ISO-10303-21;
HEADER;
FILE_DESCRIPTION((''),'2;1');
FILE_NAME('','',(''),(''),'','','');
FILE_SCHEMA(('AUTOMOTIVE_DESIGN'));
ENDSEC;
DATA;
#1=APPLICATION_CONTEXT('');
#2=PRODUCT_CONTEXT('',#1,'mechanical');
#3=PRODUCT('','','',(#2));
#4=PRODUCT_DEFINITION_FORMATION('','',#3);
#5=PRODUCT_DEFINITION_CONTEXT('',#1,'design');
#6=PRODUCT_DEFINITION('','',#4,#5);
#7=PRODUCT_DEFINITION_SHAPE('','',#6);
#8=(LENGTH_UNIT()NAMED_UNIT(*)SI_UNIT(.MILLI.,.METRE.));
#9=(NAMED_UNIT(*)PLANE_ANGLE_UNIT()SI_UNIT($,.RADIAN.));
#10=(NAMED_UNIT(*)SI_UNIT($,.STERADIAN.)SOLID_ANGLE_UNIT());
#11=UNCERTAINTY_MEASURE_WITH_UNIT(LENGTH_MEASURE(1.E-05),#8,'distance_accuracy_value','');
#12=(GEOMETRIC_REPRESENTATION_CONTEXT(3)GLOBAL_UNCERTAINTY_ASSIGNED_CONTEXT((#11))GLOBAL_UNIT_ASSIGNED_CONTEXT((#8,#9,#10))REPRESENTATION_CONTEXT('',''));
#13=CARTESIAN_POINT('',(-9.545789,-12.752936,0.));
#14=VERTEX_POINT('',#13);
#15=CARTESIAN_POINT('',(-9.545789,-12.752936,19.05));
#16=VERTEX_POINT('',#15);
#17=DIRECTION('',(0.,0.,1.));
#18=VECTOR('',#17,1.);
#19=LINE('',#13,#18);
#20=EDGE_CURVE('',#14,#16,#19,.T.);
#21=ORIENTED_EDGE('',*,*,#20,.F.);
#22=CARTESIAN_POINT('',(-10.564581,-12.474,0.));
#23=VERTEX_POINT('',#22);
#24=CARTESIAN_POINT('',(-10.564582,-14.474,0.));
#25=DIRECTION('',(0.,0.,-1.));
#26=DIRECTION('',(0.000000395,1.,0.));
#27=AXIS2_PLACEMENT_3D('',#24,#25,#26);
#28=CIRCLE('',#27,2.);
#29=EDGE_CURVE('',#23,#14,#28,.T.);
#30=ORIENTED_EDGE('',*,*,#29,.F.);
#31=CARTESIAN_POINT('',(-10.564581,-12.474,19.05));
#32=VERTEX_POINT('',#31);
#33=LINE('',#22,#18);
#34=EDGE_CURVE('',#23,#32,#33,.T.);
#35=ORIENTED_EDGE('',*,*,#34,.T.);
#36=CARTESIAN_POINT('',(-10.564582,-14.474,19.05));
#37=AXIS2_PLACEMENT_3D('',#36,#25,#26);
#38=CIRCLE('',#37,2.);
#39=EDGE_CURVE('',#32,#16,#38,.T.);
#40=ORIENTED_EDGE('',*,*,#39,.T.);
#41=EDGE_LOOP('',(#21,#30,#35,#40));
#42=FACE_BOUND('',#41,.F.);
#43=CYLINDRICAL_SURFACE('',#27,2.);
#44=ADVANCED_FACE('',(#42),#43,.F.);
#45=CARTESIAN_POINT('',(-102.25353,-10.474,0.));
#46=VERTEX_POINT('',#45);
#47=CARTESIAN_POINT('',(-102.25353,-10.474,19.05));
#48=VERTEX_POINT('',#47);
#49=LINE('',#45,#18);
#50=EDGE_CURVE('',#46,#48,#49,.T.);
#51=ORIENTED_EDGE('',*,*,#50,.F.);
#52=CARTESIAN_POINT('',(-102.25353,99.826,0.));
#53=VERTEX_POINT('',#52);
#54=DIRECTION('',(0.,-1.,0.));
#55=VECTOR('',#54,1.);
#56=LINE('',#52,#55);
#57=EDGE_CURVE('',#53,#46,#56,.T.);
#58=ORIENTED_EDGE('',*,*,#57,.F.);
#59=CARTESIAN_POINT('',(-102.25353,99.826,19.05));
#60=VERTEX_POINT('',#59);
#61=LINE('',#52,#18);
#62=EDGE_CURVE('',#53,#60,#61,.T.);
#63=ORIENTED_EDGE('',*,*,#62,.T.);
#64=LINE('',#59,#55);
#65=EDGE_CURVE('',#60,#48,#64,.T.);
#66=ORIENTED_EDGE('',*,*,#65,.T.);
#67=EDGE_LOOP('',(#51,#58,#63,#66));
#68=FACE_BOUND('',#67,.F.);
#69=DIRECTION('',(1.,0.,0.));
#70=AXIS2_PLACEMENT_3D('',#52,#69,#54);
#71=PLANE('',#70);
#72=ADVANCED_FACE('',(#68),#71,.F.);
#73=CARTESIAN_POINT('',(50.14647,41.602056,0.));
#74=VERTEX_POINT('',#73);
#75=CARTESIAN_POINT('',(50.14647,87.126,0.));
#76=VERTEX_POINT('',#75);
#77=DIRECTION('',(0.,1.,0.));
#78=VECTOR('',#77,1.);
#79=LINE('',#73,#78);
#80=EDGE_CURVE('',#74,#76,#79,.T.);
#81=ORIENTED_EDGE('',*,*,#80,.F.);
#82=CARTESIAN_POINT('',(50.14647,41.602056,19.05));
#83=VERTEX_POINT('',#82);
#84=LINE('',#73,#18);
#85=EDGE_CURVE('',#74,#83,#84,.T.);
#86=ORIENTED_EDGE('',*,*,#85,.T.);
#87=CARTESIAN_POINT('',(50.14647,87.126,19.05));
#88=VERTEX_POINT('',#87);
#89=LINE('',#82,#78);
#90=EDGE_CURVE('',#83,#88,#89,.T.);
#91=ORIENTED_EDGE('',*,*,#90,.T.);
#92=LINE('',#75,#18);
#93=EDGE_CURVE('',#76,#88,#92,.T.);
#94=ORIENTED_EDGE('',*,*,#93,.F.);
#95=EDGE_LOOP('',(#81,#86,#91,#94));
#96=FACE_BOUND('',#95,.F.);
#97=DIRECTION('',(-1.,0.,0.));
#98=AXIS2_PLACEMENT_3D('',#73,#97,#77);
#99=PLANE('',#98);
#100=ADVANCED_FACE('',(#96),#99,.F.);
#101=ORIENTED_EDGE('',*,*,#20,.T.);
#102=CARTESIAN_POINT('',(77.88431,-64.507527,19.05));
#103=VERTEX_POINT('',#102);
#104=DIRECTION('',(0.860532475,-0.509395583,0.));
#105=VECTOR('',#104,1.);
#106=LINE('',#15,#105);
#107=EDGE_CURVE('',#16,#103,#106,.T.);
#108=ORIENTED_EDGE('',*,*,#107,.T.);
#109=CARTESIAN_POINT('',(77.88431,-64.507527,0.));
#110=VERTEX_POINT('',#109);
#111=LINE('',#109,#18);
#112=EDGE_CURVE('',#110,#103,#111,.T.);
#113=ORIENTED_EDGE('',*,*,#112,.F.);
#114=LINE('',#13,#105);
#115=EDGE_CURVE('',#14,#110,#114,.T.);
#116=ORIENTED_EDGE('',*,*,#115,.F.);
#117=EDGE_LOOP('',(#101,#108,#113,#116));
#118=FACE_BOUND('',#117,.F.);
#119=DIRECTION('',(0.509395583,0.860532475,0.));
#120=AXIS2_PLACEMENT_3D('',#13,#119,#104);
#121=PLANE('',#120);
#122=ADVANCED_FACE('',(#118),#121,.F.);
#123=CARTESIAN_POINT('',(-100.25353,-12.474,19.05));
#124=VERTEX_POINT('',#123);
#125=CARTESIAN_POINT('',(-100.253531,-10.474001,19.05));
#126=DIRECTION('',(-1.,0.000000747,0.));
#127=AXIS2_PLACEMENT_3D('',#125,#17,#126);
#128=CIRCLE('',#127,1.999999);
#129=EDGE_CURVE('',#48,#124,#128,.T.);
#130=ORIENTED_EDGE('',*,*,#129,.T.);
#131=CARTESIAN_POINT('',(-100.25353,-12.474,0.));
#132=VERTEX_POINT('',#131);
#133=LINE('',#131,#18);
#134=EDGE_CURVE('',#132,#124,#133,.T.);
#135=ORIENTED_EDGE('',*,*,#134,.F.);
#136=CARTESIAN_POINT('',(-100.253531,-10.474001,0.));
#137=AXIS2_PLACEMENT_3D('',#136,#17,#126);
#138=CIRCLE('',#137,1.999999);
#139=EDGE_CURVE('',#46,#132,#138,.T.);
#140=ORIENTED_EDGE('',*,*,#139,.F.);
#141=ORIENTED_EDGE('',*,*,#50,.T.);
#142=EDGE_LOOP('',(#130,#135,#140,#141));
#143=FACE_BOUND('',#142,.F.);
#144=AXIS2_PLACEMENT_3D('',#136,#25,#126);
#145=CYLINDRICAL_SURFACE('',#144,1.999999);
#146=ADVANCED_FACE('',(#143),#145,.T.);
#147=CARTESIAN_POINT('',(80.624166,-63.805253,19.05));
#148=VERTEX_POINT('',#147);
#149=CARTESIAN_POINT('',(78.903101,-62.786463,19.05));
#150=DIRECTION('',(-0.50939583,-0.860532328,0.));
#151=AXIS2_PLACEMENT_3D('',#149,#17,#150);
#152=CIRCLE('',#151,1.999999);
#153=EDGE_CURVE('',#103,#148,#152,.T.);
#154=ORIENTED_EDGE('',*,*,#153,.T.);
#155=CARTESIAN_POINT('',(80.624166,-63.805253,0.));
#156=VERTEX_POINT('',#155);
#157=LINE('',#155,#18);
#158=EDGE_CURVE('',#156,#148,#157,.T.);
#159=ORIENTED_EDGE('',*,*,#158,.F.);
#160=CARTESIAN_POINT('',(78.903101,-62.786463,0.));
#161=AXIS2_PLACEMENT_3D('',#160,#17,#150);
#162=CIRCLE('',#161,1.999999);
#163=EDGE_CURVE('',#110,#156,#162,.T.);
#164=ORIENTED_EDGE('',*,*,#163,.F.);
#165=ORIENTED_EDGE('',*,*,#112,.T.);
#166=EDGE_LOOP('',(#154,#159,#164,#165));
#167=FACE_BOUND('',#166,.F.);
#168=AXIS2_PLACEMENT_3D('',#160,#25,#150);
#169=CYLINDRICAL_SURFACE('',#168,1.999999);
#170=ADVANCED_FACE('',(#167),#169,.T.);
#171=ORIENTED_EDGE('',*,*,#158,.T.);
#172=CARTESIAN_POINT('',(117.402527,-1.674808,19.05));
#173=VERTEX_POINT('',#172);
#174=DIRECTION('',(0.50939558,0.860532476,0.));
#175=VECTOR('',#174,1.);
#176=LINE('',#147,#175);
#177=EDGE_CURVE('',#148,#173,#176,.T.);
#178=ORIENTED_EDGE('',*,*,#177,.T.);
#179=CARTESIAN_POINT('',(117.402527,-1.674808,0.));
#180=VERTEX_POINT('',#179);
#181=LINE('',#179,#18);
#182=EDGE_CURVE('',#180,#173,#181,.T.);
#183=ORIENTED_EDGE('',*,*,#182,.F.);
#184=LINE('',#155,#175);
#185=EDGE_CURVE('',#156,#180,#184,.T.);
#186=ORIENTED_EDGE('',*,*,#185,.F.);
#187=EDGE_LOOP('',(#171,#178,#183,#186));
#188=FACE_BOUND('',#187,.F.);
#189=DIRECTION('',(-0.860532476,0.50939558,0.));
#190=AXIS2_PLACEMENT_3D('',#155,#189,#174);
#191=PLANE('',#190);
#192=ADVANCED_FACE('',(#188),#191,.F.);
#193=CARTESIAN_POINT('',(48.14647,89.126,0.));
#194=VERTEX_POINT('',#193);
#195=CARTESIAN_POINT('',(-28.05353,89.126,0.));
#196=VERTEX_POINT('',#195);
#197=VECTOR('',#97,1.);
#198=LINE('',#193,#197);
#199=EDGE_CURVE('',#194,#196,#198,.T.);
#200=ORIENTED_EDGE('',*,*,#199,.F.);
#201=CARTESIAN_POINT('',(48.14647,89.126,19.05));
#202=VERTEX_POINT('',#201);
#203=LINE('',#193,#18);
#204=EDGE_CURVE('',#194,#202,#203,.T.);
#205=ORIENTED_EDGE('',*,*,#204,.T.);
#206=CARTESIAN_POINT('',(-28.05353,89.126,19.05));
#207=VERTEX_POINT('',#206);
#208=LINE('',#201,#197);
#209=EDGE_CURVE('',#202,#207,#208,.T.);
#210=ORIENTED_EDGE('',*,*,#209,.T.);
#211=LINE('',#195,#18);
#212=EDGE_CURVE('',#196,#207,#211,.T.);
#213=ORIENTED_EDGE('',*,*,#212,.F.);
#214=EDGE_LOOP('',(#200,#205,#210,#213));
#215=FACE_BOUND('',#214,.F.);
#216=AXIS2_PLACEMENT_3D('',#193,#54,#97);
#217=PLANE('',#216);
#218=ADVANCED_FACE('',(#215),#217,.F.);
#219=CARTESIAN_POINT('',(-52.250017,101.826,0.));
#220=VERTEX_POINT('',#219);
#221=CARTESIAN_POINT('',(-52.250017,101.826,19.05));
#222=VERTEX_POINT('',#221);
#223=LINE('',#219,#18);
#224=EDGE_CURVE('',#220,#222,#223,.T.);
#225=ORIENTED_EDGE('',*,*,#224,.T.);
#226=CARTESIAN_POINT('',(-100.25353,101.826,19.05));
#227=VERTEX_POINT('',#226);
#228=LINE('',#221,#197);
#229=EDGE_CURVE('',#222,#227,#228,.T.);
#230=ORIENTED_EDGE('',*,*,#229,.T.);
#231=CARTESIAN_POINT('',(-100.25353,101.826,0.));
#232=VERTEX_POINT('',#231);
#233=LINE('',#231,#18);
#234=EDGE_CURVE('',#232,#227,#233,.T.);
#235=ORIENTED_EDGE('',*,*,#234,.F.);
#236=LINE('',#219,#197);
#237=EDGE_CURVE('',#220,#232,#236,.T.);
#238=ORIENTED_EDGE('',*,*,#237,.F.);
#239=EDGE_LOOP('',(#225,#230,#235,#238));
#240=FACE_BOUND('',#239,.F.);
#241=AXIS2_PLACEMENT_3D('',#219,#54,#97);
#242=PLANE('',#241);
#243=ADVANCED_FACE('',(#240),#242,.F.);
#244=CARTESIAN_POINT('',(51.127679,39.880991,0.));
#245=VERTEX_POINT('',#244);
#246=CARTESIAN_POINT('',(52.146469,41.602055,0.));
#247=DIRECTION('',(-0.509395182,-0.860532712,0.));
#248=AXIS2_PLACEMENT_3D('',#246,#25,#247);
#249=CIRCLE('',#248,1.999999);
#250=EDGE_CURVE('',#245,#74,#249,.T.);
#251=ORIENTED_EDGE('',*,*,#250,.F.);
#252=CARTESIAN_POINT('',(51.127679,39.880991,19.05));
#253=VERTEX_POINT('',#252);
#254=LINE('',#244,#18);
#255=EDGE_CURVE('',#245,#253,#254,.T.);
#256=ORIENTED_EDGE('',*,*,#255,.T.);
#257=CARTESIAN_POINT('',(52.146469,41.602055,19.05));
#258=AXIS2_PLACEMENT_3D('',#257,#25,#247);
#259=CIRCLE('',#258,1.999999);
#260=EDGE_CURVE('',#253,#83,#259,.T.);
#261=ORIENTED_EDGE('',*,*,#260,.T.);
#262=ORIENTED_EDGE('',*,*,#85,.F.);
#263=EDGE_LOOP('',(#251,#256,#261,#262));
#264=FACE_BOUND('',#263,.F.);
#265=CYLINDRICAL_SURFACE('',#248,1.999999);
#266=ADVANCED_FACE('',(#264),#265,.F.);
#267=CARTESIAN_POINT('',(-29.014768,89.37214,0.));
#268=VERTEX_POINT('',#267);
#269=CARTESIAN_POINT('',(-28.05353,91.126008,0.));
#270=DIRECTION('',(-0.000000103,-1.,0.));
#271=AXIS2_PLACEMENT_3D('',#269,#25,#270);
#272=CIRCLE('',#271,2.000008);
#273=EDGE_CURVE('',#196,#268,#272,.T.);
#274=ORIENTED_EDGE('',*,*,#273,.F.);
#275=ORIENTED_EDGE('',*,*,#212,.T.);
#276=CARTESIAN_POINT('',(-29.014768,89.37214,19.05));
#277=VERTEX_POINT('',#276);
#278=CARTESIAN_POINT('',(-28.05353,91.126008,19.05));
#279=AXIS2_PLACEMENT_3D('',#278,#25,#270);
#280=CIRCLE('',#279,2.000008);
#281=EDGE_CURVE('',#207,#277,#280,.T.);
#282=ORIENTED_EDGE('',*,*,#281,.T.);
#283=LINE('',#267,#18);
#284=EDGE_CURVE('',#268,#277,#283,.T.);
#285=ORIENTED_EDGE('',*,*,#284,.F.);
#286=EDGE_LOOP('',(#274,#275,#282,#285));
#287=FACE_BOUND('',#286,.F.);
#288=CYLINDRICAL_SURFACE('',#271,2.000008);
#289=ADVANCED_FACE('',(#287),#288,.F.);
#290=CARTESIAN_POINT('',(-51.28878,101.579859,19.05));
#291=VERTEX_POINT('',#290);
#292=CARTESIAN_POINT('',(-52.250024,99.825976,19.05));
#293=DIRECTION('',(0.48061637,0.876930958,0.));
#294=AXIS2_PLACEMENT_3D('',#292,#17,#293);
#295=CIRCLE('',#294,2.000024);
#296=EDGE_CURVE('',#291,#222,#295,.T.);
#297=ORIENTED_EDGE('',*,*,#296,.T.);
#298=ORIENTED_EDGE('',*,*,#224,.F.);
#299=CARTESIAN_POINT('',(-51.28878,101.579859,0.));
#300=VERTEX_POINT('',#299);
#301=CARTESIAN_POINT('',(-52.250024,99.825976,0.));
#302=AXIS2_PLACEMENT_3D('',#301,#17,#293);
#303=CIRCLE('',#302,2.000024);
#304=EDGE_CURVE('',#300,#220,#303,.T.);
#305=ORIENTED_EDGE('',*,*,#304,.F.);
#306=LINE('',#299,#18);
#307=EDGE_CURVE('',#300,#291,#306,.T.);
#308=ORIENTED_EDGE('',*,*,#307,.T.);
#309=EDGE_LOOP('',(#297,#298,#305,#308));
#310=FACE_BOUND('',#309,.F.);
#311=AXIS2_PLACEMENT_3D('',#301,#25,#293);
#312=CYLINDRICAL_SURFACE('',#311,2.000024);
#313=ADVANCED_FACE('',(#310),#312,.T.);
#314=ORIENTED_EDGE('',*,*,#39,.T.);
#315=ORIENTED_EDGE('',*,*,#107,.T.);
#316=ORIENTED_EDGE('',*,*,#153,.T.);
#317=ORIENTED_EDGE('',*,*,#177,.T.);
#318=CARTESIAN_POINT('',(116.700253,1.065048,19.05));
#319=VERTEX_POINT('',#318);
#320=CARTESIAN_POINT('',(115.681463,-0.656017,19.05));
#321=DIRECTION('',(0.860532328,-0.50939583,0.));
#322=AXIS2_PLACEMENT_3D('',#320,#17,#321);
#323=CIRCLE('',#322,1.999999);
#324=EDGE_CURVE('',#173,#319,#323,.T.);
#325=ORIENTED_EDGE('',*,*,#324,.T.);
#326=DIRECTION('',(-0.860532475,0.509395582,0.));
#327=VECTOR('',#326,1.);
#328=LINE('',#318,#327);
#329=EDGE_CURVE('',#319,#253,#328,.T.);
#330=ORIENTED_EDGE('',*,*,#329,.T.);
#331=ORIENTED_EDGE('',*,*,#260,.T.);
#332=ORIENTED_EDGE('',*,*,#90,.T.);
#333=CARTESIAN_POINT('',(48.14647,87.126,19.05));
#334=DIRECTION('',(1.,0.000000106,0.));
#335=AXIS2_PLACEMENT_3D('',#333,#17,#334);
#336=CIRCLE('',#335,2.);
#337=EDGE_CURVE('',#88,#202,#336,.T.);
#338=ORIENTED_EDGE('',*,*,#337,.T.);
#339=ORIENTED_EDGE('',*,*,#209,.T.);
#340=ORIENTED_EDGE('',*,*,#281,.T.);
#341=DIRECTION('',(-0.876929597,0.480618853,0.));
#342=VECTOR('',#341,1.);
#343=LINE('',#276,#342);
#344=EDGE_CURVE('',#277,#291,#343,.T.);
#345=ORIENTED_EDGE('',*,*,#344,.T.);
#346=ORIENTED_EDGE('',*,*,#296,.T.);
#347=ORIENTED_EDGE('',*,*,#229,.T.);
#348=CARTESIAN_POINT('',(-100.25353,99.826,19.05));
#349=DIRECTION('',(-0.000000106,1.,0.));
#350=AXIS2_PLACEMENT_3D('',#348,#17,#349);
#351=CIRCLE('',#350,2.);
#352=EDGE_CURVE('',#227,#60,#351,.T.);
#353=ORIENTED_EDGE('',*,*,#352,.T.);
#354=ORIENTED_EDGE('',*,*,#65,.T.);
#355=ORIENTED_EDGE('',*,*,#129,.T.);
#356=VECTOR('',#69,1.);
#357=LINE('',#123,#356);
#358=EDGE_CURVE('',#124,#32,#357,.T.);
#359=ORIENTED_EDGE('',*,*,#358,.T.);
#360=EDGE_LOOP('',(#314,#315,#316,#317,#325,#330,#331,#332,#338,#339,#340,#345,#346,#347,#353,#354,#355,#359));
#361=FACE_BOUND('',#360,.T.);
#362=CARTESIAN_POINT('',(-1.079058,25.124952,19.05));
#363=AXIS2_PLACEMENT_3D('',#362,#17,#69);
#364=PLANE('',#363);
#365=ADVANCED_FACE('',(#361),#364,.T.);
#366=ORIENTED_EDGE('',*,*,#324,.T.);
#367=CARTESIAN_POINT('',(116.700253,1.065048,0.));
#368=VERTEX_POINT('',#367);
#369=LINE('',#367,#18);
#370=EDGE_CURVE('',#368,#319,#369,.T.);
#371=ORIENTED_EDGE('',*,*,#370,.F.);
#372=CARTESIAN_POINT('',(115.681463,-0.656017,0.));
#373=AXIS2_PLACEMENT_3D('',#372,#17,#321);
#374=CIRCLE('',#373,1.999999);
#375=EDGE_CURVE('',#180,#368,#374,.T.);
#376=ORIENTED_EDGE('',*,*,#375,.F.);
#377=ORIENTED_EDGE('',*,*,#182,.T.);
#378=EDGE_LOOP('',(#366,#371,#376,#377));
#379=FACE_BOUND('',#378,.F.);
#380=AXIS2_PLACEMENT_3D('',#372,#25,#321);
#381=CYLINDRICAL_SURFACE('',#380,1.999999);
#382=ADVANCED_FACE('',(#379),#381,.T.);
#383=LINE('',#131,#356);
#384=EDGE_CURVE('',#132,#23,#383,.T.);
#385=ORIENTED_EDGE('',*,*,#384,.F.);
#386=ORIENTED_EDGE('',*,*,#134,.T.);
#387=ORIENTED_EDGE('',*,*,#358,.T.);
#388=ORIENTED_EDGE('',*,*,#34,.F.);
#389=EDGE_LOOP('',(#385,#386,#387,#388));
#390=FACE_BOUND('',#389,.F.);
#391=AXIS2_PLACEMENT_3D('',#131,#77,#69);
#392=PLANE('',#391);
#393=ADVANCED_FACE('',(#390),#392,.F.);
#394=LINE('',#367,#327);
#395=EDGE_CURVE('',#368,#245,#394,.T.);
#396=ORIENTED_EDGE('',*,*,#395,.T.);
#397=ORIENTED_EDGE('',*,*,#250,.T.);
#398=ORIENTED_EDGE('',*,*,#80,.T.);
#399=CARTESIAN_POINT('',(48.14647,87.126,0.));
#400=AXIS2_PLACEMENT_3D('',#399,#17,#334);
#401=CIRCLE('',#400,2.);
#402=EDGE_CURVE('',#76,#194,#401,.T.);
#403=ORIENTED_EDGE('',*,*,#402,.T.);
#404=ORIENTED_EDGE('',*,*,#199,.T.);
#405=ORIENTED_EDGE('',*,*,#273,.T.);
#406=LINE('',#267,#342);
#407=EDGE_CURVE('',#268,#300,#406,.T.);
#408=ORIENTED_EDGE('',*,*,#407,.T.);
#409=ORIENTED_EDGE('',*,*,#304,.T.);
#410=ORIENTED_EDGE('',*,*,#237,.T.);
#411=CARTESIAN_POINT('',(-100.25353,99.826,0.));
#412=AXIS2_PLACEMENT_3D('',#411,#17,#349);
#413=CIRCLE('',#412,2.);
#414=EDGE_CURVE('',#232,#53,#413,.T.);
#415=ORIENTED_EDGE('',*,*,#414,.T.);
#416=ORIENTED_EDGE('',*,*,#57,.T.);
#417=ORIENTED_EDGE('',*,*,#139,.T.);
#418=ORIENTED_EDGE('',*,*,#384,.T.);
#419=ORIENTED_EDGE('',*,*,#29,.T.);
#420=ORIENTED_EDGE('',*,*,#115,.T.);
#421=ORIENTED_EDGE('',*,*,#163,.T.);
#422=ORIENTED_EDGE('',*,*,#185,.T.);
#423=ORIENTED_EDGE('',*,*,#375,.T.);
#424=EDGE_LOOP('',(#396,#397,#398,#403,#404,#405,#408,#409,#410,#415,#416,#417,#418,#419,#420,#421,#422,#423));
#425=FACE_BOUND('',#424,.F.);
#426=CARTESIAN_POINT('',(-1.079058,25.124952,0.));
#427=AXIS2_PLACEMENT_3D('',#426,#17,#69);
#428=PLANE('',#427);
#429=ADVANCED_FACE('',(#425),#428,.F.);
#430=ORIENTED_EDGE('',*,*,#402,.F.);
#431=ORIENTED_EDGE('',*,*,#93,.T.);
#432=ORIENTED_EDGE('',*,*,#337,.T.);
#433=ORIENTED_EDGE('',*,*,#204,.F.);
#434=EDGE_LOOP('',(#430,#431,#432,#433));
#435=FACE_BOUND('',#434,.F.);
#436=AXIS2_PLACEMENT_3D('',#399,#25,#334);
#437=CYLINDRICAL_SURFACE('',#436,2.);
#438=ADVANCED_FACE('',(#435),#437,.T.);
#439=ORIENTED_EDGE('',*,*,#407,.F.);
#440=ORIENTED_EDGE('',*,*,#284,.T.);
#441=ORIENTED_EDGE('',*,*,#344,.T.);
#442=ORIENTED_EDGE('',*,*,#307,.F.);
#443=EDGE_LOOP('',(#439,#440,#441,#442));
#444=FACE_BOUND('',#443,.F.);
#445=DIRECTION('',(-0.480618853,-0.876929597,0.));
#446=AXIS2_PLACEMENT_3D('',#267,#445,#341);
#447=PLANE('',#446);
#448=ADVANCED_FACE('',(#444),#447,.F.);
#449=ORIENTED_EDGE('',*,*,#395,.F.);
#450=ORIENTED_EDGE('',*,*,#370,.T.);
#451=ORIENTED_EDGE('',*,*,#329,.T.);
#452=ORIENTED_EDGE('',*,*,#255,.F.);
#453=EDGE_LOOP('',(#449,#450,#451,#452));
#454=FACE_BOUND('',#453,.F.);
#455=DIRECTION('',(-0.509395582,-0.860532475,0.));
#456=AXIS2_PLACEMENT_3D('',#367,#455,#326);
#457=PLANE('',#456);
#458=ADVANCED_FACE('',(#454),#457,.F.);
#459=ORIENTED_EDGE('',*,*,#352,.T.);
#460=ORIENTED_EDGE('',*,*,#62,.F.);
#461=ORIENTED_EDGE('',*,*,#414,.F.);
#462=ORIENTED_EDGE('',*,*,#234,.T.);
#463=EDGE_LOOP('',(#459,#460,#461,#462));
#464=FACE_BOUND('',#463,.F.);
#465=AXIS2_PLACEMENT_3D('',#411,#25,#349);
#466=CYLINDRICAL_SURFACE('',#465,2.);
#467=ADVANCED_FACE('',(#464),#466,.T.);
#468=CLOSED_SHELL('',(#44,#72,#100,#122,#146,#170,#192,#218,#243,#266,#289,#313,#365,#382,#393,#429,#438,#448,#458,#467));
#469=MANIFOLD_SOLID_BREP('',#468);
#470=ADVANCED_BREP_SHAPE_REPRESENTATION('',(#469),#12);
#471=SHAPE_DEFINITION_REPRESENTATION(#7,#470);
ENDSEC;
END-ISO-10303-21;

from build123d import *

# Parameters (mm, degrees)
F1_DEPTH = 19.05


with BuildPart() as f1:
    # F0 (on Top) → F1 (new body)
    with BuildSketch(Plane.XY):
        with BuildLine():
            ThreePointArc((-100.25353, 101.826), (-101.667744, 101.240213), (-102.25353, 99.826))
            Line((-102.25353, 99.826), (-102.25353, -10.474))
            ThreePointArc((-102.25353, -10.474), (-101.667744, -11.888214), (-100.25353, -12.474))
            Line((-100.25353, -12.474), (-10.564581, -12.474))
            ThreePointArc((-10.564581, -12.474), (-10.036438, -12.544994), (-9.545789, -12.752936))
            Line((-9.545789, -12.752936), (77.88431, -64.507527))
            ThreePointArc((77.88431, -64.507527), (79.399684, -64.723833), (80.624166, -63.805253))
            Line((80.624166, -63.805253), (117.402527, -1.674808))
            ThreePointArc((117.402527, -1.674808), (117.618833, -0.159434), (116.700253, 1.065048))
            Line((116.700253, 1.065048), (51.127679, 39.880991))
            ThreePointArc((51.127679, 39.880991), (50.409003, 40.611496), (50.14647, 41.602056))
            Line((50.14647, 41.602056), (50.14647, 87.126))
            ThreePointArc((50.14647, 87.126), (49.560684, 88.540213), (48.14647, 89.126))
            Line((48.14647, 89.126), (-28.05353, 89.126))
            ThreePointArc((-28.05353, 89.126), (-28.549656, 89.188512), (-29.014768, 89.37214))
            Line((-29.014768, 89.37214), (-51.28878, 101.579859))
            ThreePointArc((-51.28878, 101.579859), (-51.753892, 101.763487), (-52.250017, 101.826))
            Line((-52.250017, 101.826), (-100.25353, 101.826))
        make_face()
    extrude(amount=F1_DEPTH)


solid = f1.part
